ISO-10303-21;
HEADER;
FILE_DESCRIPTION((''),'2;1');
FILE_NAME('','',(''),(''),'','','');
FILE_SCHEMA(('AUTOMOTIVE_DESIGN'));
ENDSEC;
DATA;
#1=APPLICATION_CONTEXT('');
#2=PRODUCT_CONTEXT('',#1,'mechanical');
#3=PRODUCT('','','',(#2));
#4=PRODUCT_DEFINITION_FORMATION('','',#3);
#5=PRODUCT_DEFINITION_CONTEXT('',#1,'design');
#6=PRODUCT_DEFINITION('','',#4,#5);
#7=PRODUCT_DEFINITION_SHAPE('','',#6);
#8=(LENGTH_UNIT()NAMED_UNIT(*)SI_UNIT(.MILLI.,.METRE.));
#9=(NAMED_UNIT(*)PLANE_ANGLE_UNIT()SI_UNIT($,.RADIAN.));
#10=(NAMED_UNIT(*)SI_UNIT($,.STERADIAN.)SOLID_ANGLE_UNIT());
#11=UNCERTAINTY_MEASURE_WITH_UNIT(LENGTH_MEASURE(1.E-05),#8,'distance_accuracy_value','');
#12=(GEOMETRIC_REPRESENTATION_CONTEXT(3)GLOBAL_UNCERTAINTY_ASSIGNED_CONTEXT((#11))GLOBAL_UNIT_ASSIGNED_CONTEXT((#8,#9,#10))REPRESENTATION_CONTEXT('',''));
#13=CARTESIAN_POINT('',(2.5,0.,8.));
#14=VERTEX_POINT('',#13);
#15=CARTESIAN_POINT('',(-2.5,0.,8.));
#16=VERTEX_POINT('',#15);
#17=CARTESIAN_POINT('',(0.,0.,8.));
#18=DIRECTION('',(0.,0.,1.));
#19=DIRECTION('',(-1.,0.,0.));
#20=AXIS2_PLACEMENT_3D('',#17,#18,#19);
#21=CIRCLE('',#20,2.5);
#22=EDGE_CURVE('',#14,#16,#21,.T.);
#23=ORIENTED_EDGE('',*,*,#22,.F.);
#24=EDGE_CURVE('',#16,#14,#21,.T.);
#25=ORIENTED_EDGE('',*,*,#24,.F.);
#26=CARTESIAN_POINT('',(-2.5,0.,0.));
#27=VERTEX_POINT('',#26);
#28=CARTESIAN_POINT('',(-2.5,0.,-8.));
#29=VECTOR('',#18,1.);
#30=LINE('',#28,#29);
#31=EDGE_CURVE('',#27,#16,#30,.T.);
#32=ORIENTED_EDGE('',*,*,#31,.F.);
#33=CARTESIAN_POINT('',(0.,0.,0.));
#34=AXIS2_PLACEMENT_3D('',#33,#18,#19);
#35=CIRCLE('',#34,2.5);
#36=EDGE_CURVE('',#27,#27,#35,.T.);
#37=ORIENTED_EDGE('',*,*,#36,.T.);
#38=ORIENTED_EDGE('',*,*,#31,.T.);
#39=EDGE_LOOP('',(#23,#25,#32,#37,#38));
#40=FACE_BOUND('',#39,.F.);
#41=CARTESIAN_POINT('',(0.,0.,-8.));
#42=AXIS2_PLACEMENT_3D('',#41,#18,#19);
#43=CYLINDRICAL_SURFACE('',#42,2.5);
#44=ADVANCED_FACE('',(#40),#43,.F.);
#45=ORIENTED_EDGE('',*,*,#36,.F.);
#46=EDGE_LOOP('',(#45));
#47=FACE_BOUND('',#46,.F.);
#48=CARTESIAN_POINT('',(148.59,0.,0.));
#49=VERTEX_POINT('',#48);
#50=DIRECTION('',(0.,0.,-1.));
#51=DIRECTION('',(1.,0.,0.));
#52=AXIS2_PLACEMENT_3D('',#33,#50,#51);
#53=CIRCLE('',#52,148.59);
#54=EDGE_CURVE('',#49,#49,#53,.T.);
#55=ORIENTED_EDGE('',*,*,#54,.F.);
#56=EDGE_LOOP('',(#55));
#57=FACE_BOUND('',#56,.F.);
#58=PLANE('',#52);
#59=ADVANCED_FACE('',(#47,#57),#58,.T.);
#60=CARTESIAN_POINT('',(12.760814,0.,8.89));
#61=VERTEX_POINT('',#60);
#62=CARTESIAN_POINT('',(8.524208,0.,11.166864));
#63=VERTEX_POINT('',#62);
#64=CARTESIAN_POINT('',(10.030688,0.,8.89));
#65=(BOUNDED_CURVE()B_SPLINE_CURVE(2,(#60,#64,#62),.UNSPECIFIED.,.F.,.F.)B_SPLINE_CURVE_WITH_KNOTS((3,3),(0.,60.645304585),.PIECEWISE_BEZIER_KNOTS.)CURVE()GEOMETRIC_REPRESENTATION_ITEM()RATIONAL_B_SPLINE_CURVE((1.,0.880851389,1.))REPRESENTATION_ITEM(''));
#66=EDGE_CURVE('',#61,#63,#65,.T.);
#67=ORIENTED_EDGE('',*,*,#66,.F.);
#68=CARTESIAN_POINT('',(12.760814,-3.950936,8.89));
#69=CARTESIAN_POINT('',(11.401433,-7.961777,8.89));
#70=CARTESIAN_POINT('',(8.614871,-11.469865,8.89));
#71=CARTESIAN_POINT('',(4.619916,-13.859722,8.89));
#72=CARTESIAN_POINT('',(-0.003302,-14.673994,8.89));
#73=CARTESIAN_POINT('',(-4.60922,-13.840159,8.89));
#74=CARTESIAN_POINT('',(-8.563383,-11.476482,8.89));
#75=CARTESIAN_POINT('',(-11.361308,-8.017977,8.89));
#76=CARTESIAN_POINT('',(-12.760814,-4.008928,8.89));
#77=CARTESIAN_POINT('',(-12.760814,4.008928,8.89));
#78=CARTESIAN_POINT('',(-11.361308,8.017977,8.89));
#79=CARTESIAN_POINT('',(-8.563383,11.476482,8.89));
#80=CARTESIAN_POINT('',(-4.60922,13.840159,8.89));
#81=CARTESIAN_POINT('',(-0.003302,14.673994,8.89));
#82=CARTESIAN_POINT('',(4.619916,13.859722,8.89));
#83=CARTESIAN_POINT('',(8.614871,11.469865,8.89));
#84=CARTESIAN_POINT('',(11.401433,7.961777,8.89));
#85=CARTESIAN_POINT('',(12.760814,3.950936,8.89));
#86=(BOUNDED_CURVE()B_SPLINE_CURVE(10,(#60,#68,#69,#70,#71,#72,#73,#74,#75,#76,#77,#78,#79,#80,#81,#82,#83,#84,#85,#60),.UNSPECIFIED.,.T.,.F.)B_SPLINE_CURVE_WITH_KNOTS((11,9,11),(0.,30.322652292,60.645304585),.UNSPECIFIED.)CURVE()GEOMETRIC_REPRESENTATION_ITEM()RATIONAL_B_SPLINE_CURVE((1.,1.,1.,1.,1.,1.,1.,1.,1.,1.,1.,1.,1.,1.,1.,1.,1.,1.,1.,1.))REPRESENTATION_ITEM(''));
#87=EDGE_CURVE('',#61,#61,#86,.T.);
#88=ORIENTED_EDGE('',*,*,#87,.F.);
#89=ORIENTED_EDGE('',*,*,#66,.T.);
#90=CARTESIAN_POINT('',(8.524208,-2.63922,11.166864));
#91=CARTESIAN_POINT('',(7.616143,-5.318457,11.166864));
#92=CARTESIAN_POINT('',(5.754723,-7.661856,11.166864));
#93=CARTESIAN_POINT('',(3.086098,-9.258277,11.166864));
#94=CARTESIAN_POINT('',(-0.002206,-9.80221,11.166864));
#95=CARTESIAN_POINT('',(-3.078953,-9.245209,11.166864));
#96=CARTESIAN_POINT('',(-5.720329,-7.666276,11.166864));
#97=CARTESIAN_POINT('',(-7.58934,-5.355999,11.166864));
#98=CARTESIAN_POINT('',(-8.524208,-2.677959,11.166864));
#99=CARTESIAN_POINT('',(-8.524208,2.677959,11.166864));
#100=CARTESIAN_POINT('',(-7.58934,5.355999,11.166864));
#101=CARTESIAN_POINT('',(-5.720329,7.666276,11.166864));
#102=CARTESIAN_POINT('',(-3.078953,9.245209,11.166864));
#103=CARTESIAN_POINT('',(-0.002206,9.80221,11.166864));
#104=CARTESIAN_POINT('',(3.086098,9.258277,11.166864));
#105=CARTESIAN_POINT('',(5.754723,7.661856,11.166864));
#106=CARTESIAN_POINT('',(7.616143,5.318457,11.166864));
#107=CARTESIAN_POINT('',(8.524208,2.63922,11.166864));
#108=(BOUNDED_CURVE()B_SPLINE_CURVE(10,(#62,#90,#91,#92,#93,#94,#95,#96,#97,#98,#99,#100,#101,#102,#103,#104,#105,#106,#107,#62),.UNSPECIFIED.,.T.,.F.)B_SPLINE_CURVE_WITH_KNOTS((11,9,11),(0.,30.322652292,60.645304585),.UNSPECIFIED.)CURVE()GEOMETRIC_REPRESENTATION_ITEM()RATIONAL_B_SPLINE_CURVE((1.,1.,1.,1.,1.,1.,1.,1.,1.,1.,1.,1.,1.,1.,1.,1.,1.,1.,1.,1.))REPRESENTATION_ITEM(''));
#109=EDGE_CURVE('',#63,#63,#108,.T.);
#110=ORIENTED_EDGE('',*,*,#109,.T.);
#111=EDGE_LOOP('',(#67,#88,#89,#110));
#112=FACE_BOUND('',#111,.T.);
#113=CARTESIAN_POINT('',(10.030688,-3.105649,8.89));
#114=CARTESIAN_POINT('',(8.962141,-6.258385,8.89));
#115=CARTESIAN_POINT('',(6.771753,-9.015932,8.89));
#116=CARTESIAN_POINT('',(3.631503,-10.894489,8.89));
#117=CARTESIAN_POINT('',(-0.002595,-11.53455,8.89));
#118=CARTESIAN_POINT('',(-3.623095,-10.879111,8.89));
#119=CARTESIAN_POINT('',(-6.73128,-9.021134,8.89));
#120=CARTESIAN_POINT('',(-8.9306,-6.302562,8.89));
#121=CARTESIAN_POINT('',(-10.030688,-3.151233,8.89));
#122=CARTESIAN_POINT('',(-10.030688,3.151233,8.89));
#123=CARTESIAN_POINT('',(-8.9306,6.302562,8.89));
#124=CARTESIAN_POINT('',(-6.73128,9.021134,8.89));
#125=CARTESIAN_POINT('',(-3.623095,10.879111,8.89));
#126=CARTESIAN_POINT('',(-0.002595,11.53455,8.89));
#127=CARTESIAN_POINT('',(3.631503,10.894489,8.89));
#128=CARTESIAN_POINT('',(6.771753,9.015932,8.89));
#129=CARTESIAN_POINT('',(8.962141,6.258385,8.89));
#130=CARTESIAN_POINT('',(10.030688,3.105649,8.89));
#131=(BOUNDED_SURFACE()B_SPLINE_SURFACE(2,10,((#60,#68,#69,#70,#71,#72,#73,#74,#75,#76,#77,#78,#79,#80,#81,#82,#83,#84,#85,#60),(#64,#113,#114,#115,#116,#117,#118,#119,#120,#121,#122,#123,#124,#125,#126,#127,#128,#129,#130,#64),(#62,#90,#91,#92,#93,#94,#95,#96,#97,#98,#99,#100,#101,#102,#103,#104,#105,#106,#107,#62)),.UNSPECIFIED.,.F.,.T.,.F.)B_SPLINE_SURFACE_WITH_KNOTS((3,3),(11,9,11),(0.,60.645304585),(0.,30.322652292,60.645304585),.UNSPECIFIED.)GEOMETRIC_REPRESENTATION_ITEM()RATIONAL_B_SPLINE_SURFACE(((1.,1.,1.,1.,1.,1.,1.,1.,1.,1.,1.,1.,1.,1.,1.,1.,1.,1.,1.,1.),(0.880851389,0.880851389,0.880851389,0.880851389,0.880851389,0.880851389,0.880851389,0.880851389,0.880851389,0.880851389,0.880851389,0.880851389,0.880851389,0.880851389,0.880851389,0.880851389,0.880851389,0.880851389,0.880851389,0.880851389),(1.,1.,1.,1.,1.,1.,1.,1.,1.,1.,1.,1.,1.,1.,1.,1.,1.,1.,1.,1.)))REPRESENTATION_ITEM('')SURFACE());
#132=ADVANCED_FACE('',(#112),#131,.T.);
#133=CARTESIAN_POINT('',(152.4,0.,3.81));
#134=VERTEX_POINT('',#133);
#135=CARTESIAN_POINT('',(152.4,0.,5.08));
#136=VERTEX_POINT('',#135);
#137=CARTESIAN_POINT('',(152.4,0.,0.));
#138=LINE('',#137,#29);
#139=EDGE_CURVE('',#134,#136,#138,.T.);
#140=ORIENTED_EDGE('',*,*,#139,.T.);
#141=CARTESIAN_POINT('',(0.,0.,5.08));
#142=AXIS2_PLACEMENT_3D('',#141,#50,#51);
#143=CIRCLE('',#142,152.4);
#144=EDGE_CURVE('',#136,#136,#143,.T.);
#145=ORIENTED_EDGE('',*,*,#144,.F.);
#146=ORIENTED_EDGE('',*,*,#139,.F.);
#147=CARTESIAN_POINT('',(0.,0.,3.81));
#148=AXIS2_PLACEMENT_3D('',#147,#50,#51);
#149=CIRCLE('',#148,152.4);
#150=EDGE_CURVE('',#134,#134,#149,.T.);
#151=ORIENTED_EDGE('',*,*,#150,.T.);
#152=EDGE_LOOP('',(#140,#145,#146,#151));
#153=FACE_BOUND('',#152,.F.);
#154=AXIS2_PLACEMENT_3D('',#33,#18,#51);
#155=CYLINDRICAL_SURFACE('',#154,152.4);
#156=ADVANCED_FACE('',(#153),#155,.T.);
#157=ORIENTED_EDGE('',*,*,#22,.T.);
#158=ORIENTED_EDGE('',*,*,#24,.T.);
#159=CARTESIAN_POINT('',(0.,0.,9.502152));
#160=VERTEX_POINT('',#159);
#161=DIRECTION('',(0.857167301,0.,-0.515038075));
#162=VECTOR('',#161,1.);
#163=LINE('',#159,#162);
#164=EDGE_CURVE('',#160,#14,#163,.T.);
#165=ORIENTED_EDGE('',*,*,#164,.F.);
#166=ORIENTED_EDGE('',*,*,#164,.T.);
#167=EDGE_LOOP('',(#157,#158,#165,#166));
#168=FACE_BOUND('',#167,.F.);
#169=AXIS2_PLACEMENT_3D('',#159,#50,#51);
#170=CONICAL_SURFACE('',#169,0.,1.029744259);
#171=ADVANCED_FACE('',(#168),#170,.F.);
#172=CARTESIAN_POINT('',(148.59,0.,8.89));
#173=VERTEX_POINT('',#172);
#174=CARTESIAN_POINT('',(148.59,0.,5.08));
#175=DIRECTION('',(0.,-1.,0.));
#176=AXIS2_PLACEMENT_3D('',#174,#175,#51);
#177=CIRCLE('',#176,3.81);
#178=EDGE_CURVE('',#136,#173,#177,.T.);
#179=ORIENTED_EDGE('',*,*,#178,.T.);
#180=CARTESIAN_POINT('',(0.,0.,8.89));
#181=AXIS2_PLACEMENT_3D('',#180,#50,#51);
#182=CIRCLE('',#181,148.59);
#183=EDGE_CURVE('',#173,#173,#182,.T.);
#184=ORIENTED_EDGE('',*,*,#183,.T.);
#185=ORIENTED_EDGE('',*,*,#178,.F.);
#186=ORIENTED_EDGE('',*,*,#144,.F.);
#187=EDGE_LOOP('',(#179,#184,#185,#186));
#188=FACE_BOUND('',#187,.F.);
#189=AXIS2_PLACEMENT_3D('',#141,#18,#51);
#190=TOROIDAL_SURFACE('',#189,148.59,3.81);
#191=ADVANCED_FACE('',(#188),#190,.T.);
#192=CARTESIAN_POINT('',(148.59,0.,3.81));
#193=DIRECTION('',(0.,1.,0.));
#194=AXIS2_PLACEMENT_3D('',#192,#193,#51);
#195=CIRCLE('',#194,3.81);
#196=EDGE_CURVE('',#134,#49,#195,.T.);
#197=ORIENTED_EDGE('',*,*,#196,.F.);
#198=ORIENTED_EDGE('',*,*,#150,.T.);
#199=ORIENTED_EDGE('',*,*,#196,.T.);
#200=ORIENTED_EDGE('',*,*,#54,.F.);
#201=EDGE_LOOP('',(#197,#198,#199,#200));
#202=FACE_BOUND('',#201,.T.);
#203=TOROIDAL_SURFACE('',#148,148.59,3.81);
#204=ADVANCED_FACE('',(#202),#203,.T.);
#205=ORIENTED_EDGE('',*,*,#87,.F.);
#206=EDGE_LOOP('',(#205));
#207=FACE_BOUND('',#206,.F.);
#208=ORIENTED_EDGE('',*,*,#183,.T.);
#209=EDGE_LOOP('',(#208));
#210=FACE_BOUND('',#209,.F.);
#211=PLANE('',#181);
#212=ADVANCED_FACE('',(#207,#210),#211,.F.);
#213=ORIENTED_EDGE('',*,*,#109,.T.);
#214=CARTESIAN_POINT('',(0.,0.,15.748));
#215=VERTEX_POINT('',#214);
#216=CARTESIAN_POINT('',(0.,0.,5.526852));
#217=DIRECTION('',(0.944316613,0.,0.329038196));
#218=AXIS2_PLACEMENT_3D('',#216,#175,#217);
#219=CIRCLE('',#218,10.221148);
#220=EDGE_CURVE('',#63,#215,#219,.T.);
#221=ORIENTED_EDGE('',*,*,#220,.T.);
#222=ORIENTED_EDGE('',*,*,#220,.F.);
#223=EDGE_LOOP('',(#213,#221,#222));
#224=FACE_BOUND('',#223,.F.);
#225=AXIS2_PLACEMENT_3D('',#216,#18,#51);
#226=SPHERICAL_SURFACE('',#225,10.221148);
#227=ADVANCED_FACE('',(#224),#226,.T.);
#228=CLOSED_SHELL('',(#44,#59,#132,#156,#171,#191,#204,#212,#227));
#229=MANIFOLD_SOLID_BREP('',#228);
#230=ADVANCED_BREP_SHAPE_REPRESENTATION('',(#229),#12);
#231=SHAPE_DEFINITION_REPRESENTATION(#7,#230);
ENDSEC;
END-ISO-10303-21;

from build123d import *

# Parameters (mm, degrees)
F2_R     = 3.81
F3_R     = 3.81
F4_R     = 5.08
F6_D     = 5
F6_DEPTH = 8
F6_TIP   = 1.5021515476


with BuildPart() as f1:
    # F0 (on Front) → F1 (revolve)
    with BuildSketch(Plane.XZ):
        with BuildLine():
            Line((0, 15.748), (0, 0))
            Line((0, 0), (152.4, 0))
            Line((152.4, 0), (152.4, 8.89))
            Line((152.4, 8.89), (9.652, 8.89))
            ThreePointArc((9.652, 8.89), (5.9201619066, 13.8589315722), (0, 15.748))
        make_face()
    revolve(axis=Axis((0, 0, 7.874), (0, 0, -1)))

    # F2
    f2_edges = [f1.edges().sort_by_distance(p)[0] for p in [
        (-152.4, 0, 8.89),
    ]]
    fillet(f2_edges, radius=F2_R)

    # F3
    f3_edges = [f1.edges().sort_by_distance(p)[0] for p in [
        (-152.4, 0, 0),
    ]]
    fillet(f3_edges, radius=F3_R)

    # F4
    f4_edges = [f1.edges().sort_by_distance(p)[0] for p in [
        (-9.652, 0, 8.89),
    ]]
    fillet(f4_edges, radius=F4_R)

    # F6
    with Locations(Plane(origin=(0, 0, 0), x_dir=(1, 0, 0), z_dir=(0, 0, -1))):
        with Locations((0, 0)):
            Hole(F6_D / 2, depth=F6_DEPTH)
            with Locations((0, 0, -(F6_DEPTH + F6_TIP / 2))):  # 118° drill point
                Cone(0, F6_D / 2, F6_TIP, mode=Mode.SUBTRACT)


solid = f1.part
